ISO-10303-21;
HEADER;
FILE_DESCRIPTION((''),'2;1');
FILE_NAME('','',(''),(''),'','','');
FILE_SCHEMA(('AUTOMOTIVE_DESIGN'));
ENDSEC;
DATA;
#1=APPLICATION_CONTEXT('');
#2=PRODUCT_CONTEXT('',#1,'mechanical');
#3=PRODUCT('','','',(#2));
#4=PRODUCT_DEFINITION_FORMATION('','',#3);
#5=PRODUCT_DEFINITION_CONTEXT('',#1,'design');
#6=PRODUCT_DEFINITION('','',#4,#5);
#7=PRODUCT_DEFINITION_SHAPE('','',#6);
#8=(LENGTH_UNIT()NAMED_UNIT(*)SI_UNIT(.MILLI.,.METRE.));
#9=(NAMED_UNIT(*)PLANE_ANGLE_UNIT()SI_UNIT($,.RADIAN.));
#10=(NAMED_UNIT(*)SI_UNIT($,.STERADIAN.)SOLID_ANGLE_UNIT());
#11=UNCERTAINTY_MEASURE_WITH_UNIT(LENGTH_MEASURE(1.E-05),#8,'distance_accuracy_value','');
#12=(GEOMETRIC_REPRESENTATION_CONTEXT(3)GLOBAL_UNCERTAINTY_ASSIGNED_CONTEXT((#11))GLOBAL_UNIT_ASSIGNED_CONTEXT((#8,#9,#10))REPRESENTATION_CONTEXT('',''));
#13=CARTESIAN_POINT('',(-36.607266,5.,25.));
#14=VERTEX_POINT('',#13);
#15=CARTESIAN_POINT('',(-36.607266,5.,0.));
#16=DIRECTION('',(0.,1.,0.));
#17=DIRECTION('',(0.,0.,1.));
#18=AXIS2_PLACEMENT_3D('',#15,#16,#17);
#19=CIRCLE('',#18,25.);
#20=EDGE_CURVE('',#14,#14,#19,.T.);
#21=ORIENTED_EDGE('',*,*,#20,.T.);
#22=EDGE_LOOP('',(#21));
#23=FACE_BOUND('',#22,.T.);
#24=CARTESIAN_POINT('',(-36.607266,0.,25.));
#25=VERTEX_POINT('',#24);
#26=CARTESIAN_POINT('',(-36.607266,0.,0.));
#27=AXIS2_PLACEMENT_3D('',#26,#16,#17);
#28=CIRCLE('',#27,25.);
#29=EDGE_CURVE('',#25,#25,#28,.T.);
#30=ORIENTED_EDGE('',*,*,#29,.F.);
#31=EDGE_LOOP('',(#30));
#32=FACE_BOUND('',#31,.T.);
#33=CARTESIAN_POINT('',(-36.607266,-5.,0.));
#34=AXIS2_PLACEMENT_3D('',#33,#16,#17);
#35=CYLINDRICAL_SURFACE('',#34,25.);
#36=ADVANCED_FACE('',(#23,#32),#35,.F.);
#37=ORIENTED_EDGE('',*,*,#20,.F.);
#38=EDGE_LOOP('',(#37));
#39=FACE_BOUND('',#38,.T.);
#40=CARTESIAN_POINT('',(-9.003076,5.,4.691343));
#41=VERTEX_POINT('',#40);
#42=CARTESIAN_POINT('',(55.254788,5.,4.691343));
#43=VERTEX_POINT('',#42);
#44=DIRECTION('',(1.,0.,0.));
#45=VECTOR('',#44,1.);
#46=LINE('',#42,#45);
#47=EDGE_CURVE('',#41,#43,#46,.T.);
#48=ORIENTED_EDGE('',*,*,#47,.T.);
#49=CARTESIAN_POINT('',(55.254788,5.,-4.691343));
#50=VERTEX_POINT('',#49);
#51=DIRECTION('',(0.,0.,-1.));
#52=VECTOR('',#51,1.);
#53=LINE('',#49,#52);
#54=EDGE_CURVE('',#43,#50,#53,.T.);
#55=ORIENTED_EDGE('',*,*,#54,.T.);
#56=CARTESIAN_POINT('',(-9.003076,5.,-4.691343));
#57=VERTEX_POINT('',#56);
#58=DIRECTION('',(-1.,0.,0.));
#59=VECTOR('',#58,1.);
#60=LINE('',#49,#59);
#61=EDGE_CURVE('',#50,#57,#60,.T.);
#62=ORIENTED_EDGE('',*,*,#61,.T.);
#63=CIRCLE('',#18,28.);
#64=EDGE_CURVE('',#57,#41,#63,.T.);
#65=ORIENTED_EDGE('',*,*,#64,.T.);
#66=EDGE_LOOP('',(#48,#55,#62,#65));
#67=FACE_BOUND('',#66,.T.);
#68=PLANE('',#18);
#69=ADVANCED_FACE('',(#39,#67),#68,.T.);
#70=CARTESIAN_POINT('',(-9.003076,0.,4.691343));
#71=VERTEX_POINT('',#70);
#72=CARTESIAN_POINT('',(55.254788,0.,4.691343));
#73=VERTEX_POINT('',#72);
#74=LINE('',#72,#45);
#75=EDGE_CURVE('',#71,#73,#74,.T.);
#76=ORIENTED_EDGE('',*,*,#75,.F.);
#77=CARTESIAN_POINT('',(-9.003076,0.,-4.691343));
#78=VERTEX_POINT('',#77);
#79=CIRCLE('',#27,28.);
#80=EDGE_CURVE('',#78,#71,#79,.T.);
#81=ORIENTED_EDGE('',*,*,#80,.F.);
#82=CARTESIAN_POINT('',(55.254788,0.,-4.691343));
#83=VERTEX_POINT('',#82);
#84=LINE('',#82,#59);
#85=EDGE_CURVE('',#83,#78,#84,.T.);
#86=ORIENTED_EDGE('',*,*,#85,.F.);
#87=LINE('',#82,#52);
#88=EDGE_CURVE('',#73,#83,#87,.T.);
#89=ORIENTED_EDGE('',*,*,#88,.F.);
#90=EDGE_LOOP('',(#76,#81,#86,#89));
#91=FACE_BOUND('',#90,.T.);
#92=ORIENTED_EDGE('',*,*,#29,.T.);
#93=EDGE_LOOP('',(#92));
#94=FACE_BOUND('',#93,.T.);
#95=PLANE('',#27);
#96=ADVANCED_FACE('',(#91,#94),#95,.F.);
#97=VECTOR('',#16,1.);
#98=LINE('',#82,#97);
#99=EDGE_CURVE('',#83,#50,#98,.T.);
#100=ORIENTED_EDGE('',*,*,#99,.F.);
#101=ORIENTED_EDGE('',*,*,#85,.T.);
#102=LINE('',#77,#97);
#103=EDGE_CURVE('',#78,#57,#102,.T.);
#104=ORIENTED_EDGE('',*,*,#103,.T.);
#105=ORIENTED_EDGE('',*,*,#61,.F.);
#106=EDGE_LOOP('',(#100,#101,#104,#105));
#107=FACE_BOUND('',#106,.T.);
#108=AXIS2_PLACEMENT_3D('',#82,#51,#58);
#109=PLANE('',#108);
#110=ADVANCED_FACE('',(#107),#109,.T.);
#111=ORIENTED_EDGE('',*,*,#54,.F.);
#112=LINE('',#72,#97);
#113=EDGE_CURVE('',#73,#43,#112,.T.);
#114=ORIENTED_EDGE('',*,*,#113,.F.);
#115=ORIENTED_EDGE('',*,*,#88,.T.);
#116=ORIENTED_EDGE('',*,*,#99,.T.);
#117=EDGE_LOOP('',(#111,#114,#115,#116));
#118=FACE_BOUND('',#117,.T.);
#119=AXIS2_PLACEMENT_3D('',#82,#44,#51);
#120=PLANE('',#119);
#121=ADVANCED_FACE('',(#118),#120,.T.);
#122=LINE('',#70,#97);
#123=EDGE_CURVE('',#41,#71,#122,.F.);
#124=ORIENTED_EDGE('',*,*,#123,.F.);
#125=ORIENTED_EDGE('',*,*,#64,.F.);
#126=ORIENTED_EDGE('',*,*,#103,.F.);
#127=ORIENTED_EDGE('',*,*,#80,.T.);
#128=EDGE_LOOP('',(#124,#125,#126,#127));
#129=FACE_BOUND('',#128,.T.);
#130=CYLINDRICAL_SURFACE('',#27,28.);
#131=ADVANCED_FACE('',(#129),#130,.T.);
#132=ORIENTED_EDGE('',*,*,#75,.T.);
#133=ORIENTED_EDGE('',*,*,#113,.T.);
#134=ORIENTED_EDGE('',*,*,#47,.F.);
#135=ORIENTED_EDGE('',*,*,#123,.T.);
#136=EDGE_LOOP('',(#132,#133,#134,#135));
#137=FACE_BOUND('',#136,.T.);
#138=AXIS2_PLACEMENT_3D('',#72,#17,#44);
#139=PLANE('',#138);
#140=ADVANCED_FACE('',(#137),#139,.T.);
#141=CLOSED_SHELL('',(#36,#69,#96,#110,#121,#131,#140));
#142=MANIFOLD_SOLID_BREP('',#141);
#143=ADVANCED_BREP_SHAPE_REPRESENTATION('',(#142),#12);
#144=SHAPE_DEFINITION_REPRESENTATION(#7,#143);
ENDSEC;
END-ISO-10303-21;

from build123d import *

# Parameters (mm, degrees)
ESQUISSE5_R             = 28
BOSS_EXTRU_5_DEPTH      = 5
ESQUISSE6_R             = 25
ENL_V_MAT_EXTRU_1_DEPTH = 10
ESQUISSE7_W             = 65
ESQUISSE7_H             = 9.382686356
BOSS_EXTRU_6_DEPTH      = 5


with BuildPart() as part:
    # Esquisse5 → Boss.-Extru.5 (new body)
    with BuildSketch(Plane(origin=(0, 5, 0), x_dir=(1, 0, 0), z_dir=(0, 1, 0))):
        with Locations(Location((-36.607266223, 0, 0), (0, 0, 270))):
            Circle(ESQUISSE5_R)
    extrude(amount=-BOSS_EXTRU_5_DEPTH)

    # Esquisse6 → Enlèv. mat.-Extru.1 (cut)
    with BuildSketch(Plane(origin=(0, 5, 0), x_dir=(1, 0, 0), z_dir=(0, 1, 0))):
        with Locations(Location((-36.607266223, 0, 0), (0, 0, 270))):
            Circle(ESQUISSE6_R)
    extrude(amount=-ENL_V_MAT_EXTRU_1_DEPTH, mode=Mode.SUBTRACT)

    # Esquisse7 → Boss.-Extru.6 (add)
    with BuildSketch(Plane(origin=(0, 5, 0), x_dir=(1, 0, 0), z_dir=(0, 1, 0))):
        with Locations((22.754788201, 0)):
            Rectangle(ESQUISSE7_W, ESQUISSE7_H)
    extrude(amount=-BOSS_EXTRU_6_DEPTH)


solid = part.part
